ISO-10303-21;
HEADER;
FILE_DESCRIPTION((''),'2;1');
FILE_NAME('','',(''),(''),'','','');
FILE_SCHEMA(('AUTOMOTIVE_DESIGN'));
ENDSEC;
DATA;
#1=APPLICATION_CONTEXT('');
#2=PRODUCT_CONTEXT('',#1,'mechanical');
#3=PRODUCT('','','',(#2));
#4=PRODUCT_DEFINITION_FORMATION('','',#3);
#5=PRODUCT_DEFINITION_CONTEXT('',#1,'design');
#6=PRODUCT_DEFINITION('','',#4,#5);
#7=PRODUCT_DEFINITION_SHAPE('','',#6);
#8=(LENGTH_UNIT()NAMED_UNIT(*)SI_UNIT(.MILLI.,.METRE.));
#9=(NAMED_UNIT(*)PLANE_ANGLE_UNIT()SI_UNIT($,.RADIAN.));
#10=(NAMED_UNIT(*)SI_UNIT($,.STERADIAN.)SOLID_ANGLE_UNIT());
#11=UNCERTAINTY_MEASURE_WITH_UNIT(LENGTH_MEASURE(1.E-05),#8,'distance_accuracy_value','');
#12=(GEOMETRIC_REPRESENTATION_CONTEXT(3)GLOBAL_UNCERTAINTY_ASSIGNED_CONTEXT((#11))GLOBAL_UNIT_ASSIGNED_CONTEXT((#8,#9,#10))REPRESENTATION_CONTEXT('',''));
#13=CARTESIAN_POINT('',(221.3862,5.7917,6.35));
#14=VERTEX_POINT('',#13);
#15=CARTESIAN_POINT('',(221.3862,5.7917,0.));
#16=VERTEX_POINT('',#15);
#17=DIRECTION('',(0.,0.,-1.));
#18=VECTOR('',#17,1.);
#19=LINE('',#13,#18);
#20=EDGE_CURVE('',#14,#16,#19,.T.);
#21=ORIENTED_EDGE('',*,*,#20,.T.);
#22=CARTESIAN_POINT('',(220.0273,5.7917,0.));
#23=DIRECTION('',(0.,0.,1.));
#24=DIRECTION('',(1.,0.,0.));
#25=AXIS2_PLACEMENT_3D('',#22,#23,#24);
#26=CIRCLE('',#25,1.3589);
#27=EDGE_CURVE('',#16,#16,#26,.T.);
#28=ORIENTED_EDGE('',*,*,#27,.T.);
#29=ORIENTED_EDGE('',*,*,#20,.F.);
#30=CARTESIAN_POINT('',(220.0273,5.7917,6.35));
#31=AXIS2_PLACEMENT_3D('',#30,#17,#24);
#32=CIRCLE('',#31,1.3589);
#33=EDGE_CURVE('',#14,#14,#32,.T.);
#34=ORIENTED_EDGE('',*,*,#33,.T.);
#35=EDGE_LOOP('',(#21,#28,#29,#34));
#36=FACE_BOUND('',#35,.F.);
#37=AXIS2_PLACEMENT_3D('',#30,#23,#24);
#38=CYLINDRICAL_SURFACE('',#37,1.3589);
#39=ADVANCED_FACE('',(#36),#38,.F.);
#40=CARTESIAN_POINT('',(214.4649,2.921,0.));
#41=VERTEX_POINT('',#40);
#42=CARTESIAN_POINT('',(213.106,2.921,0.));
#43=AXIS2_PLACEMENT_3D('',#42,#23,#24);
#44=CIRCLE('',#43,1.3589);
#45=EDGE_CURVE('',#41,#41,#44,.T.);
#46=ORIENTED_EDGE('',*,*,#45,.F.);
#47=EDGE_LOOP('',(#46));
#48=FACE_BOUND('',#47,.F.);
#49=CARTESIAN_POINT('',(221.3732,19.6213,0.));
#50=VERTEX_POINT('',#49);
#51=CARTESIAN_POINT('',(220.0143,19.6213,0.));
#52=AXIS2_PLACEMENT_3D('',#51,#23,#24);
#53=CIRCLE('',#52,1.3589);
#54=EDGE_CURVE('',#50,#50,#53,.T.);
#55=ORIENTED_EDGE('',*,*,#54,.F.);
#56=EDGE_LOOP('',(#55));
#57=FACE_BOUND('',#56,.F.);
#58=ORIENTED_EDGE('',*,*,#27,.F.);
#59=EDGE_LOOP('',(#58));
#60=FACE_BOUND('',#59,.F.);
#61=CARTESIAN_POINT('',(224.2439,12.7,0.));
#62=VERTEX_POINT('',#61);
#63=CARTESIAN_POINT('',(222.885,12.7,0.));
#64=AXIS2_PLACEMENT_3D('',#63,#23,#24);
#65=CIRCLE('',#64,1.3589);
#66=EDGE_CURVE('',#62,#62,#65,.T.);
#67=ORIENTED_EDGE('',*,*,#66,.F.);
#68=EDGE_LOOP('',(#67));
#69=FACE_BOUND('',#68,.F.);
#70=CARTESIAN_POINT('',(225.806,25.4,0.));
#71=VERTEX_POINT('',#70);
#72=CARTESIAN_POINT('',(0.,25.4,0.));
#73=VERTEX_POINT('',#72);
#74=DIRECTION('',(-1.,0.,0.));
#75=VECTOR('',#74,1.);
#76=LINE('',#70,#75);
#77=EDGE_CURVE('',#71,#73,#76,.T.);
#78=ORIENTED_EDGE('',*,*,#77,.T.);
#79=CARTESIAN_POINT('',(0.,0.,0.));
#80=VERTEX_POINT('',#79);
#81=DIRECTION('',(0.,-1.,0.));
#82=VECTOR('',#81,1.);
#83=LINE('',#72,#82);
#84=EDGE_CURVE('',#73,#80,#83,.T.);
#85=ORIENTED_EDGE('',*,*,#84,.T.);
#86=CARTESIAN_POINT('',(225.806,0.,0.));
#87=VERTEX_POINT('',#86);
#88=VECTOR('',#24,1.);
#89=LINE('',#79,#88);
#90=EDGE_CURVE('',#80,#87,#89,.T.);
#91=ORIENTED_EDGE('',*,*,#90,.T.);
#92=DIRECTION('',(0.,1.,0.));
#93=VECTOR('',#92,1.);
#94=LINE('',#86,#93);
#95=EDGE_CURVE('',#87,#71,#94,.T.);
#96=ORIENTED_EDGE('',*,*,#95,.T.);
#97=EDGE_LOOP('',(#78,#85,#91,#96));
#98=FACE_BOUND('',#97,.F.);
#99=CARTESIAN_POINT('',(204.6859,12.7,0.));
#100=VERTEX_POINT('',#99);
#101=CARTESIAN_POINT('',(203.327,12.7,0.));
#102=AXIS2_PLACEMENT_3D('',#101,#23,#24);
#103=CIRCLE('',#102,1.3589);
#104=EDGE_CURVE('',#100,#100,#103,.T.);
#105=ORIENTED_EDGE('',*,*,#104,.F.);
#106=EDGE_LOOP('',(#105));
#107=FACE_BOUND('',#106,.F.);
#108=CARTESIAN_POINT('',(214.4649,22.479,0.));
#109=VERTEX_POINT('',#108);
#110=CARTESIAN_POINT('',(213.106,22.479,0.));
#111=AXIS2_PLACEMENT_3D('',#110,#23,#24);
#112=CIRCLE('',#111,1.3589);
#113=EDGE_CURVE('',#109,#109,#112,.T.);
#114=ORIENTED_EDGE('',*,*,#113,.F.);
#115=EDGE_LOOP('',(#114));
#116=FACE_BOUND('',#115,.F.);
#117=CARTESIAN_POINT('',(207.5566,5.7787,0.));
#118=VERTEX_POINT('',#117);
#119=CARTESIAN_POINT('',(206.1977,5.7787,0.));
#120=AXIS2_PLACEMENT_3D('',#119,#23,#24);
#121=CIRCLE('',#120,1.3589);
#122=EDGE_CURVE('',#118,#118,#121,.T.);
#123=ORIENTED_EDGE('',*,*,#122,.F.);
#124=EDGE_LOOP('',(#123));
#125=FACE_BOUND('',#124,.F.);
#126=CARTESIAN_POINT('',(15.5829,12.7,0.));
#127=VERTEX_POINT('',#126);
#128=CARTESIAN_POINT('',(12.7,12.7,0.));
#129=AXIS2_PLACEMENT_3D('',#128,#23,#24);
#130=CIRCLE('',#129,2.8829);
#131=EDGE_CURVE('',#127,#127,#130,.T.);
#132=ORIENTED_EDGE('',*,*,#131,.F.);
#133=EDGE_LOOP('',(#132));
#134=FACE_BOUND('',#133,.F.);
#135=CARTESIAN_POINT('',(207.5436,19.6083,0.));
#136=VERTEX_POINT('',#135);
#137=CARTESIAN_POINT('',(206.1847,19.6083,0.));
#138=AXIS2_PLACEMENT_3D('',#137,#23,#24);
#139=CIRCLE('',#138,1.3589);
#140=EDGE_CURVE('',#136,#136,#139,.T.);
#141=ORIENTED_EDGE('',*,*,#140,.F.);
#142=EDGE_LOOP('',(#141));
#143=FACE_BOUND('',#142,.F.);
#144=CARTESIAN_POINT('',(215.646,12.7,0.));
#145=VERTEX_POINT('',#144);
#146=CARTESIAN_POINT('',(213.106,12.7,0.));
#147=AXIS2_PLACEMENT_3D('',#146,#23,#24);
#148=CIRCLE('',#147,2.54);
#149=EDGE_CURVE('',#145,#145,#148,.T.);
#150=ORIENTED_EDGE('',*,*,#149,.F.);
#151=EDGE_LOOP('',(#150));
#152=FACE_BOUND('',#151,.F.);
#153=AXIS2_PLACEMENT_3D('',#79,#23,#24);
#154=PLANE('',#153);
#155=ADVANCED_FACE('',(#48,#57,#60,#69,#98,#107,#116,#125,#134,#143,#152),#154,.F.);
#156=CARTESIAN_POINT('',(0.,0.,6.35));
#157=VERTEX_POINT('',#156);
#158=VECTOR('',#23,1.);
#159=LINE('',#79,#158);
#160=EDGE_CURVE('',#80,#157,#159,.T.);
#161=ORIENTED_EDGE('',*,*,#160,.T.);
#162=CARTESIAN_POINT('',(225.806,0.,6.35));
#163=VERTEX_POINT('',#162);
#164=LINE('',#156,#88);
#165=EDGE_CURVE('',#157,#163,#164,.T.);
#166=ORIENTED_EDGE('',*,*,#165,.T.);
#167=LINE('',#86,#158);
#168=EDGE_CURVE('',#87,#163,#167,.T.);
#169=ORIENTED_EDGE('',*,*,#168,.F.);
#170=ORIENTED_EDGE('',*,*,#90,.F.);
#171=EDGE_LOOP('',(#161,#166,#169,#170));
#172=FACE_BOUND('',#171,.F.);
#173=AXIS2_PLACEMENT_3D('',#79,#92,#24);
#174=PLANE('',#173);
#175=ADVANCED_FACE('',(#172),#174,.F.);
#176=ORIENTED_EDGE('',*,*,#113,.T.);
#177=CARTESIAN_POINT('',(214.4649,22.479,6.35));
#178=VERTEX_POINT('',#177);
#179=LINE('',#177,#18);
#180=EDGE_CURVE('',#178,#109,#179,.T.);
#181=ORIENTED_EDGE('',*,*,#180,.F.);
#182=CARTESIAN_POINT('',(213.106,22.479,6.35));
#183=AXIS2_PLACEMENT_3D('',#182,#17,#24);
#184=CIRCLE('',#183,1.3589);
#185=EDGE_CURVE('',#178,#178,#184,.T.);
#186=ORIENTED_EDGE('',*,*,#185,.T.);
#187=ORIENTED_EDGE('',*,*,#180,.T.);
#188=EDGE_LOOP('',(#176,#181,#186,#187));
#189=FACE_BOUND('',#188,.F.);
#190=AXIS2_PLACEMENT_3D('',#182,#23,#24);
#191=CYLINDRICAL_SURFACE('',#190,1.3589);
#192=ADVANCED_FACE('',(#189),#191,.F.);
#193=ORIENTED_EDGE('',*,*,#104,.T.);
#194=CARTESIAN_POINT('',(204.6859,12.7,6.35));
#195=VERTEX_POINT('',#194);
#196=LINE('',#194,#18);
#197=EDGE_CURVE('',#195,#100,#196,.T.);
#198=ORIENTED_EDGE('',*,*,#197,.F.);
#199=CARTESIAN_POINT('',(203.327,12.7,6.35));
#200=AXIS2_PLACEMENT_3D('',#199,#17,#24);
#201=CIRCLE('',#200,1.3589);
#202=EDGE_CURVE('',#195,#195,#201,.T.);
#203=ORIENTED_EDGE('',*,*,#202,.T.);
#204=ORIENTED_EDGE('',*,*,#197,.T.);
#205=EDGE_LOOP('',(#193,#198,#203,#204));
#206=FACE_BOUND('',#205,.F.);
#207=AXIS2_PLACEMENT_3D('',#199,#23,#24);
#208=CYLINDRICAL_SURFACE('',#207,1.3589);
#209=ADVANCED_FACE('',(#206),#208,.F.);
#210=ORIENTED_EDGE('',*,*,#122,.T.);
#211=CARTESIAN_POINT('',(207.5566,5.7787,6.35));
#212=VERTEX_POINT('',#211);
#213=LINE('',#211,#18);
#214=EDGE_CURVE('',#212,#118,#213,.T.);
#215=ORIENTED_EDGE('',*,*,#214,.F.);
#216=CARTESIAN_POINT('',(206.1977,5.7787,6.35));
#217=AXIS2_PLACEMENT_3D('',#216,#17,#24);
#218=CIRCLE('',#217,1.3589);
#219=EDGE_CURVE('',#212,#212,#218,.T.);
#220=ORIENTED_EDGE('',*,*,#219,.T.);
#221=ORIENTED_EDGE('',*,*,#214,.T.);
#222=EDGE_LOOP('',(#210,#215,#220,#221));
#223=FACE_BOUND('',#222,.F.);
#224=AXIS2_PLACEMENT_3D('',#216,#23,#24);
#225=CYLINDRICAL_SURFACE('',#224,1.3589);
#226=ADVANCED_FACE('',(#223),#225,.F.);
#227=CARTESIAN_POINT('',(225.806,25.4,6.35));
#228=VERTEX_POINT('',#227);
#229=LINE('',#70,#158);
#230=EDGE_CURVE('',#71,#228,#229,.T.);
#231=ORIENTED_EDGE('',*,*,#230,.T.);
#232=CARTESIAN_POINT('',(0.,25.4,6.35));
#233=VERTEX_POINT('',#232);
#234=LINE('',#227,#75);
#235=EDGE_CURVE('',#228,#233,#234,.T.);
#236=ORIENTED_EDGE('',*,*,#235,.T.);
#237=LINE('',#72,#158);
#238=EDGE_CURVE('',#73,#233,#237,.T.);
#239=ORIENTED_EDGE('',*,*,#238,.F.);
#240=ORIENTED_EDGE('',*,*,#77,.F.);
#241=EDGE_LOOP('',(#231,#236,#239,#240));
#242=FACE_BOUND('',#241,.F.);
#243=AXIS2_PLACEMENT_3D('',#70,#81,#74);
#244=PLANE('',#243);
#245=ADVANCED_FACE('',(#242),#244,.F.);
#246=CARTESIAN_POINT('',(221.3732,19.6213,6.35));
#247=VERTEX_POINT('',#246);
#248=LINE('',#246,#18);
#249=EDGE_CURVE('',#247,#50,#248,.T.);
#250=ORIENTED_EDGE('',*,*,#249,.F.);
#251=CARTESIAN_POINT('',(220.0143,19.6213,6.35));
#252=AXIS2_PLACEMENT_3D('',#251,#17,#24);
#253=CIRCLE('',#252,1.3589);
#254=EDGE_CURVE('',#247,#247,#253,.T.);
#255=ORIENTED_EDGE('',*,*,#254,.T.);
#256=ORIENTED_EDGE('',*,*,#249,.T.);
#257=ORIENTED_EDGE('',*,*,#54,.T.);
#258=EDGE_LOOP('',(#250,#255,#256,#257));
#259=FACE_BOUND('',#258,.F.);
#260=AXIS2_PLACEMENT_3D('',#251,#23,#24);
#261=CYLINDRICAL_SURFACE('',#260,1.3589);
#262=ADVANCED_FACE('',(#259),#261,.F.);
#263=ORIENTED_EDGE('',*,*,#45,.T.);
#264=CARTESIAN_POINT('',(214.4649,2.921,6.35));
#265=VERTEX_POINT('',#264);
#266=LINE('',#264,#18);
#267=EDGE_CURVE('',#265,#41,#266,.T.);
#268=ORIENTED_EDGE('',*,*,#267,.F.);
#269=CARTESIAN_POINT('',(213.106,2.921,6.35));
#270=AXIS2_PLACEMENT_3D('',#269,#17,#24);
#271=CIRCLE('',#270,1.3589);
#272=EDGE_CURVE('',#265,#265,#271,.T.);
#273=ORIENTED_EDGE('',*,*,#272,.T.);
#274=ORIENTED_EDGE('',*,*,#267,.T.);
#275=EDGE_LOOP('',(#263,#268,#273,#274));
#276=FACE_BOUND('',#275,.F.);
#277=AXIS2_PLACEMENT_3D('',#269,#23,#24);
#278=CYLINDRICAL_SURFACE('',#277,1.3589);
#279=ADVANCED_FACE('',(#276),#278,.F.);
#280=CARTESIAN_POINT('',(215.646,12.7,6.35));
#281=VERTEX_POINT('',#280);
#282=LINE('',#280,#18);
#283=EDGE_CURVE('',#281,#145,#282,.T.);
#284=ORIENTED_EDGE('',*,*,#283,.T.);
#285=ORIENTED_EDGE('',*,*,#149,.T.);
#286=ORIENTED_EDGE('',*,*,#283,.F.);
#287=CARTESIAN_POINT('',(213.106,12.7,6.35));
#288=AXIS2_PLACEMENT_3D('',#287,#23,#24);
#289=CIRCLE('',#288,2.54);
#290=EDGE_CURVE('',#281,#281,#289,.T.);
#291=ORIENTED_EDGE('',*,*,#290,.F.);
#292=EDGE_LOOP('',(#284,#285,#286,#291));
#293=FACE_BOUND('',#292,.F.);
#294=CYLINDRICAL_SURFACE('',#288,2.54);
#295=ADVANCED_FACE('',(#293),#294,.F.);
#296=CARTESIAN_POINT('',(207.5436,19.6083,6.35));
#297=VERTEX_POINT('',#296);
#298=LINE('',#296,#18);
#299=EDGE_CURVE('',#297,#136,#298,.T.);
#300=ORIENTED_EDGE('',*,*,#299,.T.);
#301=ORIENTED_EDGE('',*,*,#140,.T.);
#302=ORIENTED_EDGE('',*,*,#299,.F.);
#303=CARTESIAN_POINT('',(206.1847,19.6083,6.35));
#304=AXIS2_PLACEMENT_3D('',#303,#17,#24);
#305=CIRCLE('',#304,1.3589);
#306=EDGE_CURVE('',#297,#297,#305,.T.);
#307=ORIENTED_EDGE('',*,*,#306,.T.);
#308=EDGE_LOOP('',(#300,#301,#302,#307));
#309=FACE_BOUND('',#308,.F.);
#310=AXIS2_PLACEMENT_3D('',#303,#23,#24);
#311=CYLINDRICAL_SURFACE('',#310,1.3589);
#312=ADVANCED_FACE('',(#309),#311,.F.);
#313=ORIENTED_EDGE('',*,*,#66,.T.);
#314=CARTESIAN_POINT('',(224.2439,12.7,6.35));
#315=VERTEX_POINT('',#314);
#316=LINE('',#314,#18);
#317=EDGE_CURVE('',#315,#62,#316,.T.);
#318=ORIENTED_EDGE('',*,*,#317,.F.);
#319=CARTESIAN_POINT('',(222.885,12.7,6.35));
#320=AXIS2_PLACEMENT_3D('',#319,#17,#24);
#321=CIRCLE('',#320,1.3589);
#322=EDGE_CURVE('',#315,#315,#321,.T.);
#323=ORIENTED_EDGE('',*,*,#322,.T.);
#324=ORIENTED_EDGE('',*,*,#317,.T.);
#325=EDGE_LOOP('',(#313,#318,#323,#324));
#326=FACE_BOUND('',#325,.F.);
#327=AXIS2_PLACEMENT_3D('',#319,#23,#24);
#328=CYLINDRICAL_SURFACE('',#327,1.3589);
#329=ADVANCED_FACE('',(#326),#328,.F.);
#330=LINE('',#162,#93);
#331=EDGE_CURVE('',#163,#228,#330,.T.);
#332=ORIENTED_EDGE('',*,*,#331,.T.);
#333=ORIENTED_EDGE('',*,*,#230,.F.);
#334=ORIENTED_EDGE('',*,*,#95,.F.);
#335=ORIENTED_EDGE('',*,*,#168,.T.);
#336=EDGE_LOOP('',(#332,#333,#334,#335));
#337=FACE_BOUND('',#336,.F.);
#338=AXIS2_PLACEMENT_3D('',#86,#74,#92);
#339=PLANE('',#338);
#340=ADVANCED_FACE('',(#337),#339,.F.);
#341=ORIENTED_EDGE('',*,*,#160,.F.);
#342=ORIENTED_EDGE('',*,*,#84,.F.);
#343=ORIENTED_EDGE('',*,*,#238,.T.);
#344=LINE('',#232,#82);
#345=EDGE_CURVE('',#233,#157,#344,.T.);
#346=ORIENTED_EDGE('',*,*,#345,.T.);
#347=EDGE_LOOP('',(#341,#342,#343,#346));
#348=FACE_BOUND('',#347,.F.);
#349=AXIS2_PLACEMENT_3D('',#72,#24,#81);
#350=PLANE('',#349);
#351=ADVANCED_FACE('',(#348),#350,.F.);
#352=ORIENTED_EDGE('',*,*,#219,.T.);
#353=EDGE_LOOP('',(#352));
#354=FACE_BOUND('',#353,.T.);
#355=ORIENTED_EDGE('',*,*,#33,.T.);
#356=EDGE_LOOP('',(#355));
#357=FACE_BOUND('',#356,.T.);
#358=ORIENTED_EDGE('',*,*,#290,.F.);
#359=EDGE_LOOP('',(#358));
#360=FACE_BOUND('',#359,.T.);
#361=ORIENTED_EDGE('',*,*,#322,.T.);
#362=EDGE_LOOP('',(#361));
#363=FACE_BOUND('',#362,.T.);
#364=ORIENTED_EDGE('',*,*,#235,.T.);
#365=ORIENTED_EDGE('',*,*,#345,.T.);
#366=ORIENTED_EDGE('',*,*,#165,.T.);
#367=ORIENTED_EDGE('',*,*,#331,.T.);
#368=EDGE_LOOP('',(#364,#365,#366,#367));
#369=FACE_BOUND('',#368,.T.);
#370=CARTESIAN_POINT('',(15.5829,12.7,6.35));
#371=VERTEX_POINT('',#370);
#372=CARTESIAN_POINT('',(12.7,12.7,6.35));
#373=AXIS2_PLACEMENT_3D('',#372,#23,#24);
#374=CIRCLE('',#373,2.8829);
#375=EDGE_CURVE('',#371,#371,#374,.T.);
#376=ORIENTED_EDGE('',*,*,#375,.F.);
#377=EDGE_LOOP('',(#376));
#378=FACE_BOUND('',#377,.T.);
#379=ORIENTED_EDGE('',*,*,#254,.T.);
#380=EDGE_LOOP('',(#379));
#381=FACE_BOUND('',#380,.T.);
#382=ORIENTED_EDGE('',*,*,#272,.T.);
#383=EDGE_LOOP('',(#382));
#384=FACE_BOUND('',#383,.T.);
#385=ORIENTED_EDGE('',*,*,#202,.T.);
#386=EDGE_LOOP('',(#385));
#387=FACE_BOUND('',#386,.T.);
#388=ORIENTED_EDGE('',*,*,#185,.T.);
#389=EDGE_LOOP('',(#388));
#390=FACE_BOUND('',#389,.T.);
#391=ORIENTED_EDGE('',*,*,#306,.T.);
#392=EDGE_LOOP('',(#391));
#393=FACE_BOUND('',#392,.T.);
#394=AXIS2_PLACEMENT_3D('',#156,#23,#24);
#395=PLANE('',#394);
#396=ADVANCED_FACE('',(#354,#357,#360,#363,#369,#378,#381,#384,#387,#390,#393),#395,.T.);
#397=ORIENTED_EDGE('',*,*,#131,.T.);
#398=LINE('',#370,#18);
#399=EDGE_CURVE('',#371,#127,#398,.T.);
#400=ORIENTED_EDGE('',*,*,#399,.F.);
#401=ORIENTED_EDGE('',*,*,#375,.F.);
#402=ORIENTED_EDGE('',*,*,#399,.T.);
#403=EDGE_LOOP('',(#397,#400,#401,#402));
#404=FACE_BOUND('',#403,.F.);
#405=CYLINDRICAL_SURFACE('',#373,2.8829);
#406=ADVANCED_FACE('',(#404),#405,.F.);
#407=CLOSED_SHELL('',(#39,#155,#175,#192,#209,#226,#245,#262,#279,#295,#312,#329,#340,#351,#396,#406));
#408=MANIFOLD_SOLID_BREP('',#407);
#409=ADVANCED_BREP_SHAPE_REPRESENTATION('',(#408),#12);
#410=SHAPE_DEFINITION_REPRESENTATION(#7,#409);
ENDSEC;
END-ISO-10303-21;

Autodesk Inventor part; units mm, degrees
ref_plane "YZ Plane" through (0, 0, 0) normal (1, 0, 0) x (0, 1, 0)
ref_plane "XZ Plane" through (0, 0, 0) normal (0, 1, 0) x (-1, 0, 0)
ref_plane "XY Plane" through (0, 0, 0) normal (0, 0, 1) x (1, 0, 0)
sketch "Sketch1" plane through (0, 0, 0) normal (0, 0, 1) x (1, 0, 0)
  line L0 (0, 0) -> (225.806, 0)
  line L1 (225.806, 0) -> (225.806, 25.4)
  line L2 (225.806, 25.4) -> (0, 25.4)
  line L3 (0, 25.4) -> (0, 0)
  dimension "d0" = 225.806
  dimension "d1" = 25.4
extrude "Extrusion1" add sketch "Sketch1" along normal blind 6.35
sketch "Sketch2" plane through (0, 0, 6.35) normal (0, 0, 1) x (1, 0, 0)
  line L0 (0, 25.4) -> (0, 0) projected
  line L1 (0, 0) -> (225.806, 0) projected
  line L2 (225.806, 25.4) -> (0, 25.4) projected
  circle A0 centre (12.7, 12.7) radius 2.8829
  dimension "d4" = 12.7
  dimension "d5" = 25.4
  dimension "d6" = 5.7658
  dimension "d15" = 12.7
extrude "Extrusion2" cut sketch "Sketch2" against normal through all
sketch "Sketch3" plane through (0, 0, 6.35) normal (0, 0, 1) x (1, 0, 0)
  line L0 (0, 0) -> (225.806, 0) projected
  line L1 (225.806, 25.4) -> (0, 25.4) projected
  line L2 (225.806, 0) -> (225.806, 25.4) projected
  circle A0 centre (213.106, 12.7) radius 2.54
  dimension "d9" = 25.4
  dimension "d10" = 12.7
  dimension "d11" = 12.7
  dimension "d12" = 5.08
extrude "Extrusion3" cut sketch "Sketch3" against normal through all
sketch "Sketch4" plane through (0, 0, 6.35) normal (0, 0, 1) x (1, 0, 0)
  circle A0 centre (213.106, 12.7) radius 2.54 projected
  circle A1 centre (213.106, 12.7) radius 9.779
  line L0 (213.106, 22.479) -> (206.1847, 19.6083)
  line L1 (206.1847, 19.6083) -> (203.327, 12.7)
  line L2 (203.327, 12.7) -> (206.1977, 5.7787)
  line L3 (206.1977, 5.7787) -> (213.106, 2.921)
  line L4 (213.106, 2.921) -> (220.0273, 5.7917)
  line L5 (220.0273, 5.7917) -> (222.885, 12.7)
  line L6 (222.885, 12.7) -> (220.0143, 19.6213)
  line L7 (220.0143, 19.6213) -> (213.106, 22.479)
  circle A2 centre (213.106, 22.479) radius 1.3589
  circle A3 centre (220.0143, 19.6213) radius 1.3589
  circle A4 centre (222.885, 12.7) radius 1.3589
  circle A5 centre (220.0273, 5.7917) radius 1.3589
  circle A6 centre (213.106, 2.921) radius 1.3589
  circle A7 centre (206.1977, 5.7787) radius 1.3589
  circle A8 centre (203.327, 12.7) radius 1.3589
  circle A9 centre (206.1847, 19.6083) radius 1.3589
  point P0 (0, 0)
  dimension "d16" = 19.558
  dimension "d17" = 7.493
  dimension "d18" = 2.7178
  dimension "d19" = 2.7178
  dimension "d20" = 2.7178
  dimension "d21" = 2.7178
  dimension "d22" = 2.7178
  dimension "d23" = 2.7178
  dimension "d24" = 2.7178
  dimension "d25" = 2.7178
extrude "Extrusion4" cut sketch "Sketch4" against normal through all contours L6 A4 A1 | A1 A4 | A1 A4 L5 | L5 A4 L6 | A3 L6 A1 | A1 A3 | A5 A1 | A1 L5 A5 | L5 L4 A5 | A3 L7 L6 | L7 A3 A1 | A1 A5 L4 | A6 A1 L4 | L4 L3 A6 | A2 L0 L7 | L7 A1 A2 | A1 A2 | A6 A1 | A1 A6 L3 | L0 A2 A1 | A7 A1 L3 | L3 L2 A7 | A9 L1 L0 | L0 A1 A9 | A7 A1 | A1 A7 L2 | A1 A9 | L1 A9 A1 | A8 A1 | A1 L2 A8 | L2 L1 A8 | A8 L1 A1
equation "\"d4\" = 0.5 * d5"
equation "\"d15\" = 0.5 * d5"
equation "\"d10\" = 0.5 * d9"
equation "\"d11\" = 0.5 * d9"
equation "\"d19\" = d18"
equation "\"d20\" = d18"
equation "\"d21\" = d18"
equation "\"d22\" = d18"
equation "\"d23\" = d18"
equation "\"d24\" = d18"
equation "\"d25\" = d18"
properties part number "bar arms"
